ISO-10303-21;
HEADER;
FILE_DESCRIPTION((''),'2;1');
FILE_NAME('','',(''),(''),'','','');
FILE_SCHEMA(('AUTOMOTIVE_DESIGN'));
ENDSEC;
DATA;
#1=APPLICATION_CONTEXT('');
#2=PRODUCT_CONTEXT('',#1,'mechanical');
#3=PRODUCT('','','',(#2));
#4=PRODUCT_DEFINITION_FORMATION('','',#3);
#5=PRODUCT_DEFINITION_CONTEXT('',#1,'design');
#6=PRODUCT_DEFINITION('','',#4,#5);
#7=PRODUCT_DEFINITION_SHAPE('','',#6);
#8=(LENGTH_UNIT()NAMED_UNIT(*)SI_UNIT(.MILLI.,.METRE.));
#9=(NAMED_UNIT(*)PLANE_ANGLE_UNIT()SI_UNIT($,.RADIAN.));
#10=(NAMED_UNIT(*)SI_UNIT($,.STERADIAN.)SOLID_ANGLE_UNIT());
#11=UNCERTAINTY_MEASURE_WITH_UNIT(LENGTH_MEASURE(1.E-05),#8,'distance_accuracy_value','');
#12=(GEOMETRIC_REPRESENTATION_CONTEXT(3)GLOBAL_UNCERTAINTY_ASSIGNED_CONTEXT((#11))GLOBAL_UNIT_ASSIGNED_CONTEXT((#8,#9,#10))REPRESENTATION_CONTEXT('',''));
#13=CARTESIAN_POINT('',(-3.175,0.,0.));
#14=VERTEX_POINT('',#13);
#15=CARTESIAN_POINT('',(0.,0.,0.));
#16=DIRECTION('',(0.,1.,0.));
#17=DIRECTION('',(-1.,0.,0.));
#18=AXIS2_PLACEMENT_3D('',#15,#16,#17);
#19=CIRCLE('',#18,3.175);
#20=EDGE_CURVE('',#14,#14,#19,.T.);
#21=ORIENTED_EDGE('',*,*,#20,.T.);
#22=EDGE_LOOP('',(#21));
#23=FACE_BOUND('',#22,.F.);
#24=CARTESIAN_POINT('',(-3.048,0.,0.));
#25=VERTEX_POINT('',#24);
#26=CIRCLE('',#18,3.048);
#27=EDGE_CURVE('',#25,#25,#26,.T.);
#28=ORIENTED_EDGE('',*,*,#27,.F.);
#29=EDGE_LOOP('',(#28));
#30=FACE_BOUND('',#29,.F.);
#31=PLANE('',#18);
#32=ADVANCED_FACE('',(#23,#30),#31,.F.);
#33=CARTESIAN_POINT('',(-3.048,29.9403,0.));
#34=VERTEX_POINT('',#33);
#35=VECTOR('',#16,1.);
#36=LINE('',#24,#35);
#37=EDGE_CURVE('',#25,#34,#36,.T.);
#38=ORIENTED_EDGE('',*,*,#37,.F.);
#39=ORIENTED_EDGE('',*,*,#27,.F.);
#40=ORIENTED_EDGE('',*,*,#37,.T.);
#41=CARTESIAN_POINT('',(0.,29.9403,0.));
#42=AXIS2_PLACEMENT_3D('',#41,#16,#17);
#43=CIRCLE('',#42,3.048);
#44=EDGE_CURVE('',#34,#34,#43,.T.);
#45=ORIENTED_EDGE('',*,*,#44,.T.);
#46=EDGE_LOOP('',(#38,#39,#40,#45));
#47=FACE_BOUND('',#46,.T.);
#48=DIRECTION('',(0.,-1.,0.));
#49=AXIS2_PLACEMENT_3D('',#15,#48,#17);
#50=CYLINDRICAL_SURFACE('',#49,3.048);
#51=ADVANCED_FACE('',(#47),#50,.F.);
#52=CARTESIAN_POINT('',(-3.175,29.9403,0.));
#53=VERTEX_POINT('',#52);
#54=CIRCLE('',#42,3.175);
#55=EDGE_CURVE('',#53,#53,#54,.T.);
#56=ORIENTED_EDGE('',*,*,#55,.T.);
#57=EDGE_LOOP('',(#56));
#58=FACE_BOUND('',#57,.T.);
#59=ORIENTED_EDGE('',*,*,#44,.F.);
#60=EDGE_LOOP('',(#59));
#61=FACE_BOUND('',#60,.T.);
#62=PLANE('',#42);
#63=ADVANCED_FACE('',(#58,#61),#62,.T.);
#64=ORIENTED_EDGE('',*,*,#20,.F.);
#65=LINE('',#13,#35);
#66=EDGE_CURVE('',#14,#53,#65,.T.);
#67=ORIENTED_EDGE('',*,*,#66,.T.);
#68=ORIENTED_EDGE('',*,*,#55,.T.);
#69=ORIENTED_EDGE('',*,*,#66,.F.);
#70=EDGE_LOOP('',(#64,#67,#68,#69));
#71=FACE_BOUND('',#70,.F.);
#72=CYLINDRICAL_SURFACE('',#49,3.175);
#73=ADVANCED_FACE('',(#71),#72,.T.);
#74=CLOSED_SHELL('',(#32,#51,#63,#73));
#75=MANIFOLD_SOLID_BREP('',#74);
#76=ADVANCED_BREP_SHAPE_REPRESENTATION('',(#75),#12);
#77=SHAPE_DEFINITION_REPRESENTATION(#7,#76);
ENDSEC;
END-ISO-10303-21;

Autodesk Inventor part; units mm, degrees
ref_plane "YZ Plane" through (0, 0, 0) normal (1, 0, 0) x (0, 1, 0)
ref_plane "XZ Plane" through (0, 0, 0) normal (0, 1, 0) x (-1, 0, 0)
ref_plane "XY Plane" through (0, 0, 0) normal (0, 0, 1) x (1, 0, 0)
sketch "Sketch1" plane through (0, 0, 0) normal (0, 1, 0) x (-1, 0, 0)
  circle A0 centre (0, 0) radius 3.048
  circle A1 centre (0, 0) radius 3.175
  dimension "d0" = 6.096
  dimension "d1" = 6.35
extrude "Extrusion1" add sketch "Sketch1" along normal blind 29.9403
properties part number "elbowinbetween"
